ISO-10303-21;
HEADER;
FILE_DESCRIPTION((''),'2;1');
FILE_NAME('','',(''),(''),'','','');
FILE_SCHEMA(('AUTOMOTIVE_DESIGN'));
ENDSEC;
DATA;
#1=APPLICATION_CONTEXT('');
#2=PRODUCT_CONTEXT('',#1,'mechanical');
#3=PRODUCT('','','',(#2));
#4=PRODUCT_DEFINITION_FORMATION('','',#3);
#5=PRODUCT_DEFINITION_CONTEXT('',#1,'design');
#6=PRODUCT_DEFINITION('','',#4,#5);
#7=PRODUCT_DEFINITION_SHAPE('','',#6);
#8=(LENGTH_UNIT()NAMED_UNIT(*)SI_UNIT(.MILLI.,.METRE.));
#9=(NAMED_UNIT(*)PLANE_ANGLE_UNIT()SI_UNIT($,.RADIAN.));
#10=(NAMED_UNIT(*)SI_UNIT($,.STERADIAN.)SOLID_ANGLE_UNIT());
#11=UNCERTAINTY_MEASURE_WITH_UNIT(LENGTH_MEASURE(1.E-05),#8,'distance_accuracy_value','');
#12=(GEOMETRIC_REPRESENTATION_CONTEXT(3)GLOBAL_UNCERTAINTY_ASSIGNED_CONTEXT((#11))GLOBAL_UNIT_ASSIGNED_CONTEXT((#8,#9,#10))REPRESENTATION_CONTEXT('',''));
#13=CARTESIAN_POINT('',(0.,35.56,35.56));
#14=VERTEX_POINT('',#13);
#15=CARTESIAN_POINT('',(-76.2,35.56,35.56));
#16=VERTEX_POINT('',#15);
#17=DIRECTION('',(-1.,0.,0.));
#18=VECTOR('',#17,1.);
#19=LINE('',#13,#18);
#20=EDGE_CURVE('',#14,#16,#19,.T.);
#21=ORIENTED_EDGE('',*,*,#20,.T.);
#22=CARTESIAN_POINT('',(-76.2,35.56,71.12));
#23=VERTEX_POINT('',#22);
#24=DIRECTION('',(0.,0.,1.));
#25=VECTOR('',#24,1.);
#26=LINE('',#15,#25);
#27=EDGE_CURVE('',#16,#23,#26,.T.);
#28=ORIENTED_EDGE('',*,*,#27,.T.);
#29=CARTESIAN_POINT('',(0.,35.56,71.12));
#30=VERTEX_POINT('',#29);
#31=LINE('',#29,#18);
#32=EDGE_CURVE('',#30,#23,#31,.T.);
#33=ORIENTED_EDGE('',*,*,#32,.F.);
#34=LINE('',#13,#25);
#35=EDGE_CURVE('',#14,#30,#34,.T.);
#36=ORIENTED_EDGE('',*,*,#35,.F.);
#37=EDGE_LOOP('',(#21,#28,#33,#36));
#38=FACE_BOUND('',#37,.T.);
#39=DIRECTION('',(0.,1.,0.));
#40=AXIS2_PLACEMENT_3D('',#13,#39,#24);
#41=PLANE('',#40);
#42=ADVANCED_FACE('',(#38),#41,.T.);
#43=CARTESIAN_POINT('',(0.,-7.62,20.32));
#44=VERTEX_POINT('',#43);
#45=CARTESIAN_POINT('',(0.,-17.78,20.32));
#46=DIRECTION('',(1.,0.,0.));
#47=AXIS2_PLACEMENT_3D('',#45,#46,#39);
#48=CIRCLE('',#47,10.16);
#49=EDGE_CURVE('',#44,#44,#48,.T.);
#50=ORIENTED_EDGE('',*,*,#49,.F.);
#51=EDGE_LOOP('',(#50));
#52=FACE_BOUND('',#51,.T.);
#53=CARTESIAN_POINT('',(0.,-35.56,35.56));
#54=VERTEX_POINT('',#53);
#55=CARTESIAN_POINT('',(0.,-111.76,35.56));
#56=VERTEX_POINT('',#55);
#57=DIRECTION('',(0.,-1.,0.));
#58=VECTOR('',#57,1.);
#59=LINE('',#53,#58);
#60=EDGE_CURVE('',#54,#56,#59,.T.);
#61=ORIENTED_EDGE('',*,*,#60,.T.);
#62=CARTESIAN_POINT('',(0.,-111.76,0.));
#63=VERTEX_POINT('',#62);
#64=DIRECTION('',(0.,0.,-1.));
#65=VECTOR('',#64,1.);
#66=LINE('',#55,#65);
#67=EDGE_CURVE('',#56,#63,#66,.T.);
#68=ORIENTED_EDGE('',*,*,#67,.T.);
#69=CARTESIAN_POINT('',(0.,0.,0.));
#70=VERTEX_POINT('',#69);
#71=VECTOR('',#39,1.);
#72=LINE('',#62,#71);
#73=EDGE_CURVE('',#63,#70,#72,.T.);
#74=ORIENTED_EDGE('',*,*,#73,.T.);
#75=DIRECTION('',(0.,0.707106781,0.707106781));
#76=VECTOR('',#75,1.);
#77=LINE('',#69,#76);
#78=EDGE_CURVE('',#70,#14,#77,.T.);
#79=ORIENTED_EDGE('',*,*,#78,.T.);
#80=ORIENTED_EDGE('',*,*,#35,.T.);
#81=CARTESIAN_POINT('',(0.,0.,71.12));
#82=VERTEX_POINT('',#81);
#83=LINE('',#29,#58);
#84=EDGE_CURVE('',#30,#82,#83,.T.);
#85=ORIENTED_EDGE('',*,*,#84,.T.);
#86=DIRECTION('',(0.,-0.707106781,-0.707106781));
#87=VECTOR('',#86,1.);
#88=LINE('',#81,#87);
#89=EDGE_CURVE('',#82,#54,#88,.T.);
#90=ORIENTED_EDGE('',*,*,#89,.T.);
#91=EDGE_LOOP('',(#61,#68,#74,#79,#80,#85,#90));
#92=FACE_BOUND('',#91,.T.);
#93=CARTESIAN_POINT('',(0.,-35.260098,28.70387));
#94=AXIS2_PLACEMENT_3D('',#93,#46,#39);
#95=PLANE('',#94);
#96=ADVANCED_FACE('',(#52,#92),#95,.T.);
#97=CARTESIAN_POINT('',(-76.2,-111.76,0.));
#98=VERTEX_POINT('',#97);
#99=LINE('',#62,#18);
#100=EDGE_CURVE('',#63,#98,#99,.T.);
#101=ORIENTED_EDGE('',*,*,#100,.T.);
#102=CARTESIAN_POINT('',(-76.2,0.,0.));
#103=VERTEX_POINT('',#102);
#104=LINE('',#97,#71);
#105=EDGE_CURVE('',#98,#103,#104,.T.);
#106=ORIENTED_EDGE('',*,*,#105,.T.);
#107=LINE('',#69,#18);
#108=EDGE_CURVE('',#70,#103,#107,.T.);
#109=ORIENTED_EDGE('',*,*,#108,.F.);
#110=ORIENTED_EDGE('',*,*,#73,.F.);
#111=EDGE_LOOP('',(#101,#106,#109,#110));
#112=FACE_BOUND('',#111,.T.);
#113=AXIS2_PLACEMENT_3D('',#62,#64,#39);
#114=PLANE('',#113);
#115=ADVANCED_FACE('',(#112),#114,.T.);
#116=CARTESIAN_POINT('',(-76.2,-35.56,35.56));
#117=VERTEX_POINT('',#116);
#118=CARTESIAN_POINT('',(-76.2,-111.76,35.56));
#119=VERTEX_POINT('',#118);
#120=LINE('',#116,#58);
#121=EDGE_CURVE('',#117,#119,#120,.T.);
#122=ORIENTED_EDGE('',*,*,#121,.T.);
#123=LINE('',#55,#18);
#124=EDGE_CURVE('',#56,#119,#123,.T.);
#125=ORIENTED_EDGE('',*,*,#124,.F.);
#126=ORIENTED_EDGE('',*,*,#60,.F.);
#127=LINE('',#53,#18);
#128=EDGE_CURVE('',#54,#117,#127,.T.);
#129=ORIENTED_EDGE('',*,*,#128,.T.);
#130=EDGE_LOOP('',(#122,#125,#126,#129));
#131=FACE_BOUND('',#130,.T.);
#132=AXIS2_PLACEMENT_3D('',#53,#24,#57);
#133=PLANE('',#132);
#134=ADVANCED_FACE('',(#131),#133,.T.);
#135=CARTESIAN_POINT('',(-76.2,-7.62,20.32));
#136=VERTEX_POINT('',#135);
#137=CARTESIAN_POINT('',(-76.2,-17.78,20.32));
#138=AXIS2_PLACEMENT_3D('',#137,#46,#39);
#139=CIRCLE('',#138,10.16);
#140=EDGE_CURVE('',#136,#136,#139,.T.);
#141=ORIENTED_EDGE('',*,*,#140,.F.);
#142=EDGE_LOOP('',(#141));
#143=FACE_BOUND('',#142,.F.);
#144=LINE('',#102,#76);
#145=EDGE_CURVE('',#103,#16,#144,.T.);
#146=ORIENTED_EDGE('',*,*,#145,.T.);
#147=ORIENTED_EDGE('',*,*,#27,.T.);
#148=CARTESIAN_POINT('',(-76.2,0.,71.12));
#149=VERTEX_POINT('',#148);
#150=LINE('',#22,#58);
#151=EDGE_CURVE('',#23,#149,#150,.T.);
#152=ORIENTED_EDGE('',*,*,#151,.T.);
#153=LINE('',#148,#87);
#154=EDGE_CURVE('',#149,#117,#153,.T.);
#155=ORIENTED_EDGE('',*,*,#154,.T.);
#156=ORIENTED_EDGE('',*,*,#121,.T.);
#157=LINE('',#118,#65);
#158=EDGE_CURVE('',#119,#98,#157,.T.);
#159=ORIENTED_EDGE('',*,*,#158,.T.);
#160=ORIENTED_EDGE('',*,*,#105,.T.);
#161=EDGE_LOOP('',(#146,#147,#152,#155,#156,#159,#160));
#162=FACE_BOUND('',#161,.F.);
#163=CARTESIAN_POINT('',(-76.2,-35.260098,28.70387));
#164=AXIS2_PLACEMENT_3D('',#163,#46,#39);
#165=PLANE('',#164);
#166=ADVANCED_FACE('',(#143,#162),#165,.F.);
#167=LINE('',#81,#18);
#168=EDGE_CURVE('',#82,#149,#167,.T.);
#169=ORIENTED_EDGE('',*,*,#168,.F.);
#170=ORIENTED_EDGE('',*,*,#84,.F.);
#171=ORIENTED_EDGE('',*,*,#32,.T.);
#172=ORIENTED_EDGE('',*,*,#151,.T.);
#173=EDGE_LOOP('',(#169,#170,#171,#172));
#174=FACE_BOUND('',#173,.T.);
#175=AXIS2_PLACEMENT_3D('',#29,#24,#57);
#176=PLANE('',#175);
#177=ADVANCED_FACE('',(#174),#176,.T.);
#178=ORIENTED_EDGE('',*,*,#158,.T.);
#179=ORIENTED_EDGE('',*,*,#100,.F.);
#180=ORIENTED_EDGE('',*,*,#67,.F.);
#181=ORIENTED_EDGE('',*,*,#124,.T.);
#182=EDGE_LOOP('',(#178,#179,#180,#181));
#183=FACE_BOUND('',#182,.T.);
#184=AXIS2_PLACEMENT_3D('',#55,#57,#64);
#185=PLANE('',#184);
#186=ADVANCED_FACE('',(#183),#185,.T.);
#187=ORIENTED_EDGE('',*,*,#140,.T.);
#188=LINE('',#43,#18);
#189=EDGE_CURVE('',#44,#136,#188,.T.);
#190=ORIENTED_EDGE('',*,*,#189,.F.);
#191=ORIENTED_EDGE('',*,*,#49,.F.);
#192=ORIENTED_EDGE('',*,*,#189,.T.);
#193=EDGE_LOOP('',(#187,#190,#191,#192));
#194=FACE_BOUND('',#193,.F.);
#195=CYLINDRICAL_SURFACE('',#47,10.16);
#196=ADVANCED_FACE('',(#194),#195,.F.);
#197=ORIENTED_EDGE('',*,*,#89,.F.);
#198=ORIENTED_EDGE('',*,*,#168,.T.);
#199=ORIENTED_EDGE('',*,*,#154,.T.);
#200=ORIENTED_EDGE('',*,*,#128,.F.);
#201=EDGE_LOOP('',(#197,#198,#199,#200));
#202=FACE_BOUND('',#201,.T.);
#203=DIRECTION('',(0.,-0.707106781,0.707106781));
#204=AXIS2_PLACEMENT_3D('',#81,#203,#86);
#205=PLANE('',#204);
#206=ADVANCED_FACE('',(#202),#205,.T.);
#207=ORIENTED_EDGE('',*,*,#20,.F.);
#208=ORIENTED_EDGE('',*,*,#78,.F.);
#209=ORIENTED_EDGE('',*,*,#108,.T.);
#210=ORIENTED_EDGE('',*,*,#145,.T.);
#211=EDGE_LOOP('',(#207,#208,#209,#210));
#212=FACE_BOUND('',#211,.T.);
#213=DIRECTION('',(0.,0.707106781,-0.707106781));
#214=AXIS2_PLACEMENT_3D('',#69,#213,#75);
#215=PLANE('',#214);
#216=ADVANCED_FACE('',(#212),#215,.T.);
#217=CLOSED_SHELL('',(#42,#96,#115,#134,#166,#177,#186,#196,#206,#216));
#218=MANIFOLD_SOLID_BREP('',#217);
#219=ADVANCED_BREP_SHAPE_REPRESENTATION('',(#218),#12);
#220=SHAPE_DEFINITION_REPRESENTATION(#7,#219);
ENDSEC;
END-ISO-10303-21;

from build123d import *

# Parameters (mm, degrees)
F0_R     = 10.16
F1_DEPTH = 76.2


with BuildPart() as f1:
    # F0 (on Right) → F1 (new body)
    with BuildSketch(Plane.YZ):
        Polygon((-35.56, 35.56), (-111.76, 35.56), (-111.76, 0), (0, 0), (35.56, 35.56), (35.56, 71.12), (0, 71.12), align=None)
        with Locations((-17.78, 20.32)):
            Circle(F0_R, mode=Mode.SUBTRACT)
    extrude(amount=-F1_DEPTH)


solid = f1.part
